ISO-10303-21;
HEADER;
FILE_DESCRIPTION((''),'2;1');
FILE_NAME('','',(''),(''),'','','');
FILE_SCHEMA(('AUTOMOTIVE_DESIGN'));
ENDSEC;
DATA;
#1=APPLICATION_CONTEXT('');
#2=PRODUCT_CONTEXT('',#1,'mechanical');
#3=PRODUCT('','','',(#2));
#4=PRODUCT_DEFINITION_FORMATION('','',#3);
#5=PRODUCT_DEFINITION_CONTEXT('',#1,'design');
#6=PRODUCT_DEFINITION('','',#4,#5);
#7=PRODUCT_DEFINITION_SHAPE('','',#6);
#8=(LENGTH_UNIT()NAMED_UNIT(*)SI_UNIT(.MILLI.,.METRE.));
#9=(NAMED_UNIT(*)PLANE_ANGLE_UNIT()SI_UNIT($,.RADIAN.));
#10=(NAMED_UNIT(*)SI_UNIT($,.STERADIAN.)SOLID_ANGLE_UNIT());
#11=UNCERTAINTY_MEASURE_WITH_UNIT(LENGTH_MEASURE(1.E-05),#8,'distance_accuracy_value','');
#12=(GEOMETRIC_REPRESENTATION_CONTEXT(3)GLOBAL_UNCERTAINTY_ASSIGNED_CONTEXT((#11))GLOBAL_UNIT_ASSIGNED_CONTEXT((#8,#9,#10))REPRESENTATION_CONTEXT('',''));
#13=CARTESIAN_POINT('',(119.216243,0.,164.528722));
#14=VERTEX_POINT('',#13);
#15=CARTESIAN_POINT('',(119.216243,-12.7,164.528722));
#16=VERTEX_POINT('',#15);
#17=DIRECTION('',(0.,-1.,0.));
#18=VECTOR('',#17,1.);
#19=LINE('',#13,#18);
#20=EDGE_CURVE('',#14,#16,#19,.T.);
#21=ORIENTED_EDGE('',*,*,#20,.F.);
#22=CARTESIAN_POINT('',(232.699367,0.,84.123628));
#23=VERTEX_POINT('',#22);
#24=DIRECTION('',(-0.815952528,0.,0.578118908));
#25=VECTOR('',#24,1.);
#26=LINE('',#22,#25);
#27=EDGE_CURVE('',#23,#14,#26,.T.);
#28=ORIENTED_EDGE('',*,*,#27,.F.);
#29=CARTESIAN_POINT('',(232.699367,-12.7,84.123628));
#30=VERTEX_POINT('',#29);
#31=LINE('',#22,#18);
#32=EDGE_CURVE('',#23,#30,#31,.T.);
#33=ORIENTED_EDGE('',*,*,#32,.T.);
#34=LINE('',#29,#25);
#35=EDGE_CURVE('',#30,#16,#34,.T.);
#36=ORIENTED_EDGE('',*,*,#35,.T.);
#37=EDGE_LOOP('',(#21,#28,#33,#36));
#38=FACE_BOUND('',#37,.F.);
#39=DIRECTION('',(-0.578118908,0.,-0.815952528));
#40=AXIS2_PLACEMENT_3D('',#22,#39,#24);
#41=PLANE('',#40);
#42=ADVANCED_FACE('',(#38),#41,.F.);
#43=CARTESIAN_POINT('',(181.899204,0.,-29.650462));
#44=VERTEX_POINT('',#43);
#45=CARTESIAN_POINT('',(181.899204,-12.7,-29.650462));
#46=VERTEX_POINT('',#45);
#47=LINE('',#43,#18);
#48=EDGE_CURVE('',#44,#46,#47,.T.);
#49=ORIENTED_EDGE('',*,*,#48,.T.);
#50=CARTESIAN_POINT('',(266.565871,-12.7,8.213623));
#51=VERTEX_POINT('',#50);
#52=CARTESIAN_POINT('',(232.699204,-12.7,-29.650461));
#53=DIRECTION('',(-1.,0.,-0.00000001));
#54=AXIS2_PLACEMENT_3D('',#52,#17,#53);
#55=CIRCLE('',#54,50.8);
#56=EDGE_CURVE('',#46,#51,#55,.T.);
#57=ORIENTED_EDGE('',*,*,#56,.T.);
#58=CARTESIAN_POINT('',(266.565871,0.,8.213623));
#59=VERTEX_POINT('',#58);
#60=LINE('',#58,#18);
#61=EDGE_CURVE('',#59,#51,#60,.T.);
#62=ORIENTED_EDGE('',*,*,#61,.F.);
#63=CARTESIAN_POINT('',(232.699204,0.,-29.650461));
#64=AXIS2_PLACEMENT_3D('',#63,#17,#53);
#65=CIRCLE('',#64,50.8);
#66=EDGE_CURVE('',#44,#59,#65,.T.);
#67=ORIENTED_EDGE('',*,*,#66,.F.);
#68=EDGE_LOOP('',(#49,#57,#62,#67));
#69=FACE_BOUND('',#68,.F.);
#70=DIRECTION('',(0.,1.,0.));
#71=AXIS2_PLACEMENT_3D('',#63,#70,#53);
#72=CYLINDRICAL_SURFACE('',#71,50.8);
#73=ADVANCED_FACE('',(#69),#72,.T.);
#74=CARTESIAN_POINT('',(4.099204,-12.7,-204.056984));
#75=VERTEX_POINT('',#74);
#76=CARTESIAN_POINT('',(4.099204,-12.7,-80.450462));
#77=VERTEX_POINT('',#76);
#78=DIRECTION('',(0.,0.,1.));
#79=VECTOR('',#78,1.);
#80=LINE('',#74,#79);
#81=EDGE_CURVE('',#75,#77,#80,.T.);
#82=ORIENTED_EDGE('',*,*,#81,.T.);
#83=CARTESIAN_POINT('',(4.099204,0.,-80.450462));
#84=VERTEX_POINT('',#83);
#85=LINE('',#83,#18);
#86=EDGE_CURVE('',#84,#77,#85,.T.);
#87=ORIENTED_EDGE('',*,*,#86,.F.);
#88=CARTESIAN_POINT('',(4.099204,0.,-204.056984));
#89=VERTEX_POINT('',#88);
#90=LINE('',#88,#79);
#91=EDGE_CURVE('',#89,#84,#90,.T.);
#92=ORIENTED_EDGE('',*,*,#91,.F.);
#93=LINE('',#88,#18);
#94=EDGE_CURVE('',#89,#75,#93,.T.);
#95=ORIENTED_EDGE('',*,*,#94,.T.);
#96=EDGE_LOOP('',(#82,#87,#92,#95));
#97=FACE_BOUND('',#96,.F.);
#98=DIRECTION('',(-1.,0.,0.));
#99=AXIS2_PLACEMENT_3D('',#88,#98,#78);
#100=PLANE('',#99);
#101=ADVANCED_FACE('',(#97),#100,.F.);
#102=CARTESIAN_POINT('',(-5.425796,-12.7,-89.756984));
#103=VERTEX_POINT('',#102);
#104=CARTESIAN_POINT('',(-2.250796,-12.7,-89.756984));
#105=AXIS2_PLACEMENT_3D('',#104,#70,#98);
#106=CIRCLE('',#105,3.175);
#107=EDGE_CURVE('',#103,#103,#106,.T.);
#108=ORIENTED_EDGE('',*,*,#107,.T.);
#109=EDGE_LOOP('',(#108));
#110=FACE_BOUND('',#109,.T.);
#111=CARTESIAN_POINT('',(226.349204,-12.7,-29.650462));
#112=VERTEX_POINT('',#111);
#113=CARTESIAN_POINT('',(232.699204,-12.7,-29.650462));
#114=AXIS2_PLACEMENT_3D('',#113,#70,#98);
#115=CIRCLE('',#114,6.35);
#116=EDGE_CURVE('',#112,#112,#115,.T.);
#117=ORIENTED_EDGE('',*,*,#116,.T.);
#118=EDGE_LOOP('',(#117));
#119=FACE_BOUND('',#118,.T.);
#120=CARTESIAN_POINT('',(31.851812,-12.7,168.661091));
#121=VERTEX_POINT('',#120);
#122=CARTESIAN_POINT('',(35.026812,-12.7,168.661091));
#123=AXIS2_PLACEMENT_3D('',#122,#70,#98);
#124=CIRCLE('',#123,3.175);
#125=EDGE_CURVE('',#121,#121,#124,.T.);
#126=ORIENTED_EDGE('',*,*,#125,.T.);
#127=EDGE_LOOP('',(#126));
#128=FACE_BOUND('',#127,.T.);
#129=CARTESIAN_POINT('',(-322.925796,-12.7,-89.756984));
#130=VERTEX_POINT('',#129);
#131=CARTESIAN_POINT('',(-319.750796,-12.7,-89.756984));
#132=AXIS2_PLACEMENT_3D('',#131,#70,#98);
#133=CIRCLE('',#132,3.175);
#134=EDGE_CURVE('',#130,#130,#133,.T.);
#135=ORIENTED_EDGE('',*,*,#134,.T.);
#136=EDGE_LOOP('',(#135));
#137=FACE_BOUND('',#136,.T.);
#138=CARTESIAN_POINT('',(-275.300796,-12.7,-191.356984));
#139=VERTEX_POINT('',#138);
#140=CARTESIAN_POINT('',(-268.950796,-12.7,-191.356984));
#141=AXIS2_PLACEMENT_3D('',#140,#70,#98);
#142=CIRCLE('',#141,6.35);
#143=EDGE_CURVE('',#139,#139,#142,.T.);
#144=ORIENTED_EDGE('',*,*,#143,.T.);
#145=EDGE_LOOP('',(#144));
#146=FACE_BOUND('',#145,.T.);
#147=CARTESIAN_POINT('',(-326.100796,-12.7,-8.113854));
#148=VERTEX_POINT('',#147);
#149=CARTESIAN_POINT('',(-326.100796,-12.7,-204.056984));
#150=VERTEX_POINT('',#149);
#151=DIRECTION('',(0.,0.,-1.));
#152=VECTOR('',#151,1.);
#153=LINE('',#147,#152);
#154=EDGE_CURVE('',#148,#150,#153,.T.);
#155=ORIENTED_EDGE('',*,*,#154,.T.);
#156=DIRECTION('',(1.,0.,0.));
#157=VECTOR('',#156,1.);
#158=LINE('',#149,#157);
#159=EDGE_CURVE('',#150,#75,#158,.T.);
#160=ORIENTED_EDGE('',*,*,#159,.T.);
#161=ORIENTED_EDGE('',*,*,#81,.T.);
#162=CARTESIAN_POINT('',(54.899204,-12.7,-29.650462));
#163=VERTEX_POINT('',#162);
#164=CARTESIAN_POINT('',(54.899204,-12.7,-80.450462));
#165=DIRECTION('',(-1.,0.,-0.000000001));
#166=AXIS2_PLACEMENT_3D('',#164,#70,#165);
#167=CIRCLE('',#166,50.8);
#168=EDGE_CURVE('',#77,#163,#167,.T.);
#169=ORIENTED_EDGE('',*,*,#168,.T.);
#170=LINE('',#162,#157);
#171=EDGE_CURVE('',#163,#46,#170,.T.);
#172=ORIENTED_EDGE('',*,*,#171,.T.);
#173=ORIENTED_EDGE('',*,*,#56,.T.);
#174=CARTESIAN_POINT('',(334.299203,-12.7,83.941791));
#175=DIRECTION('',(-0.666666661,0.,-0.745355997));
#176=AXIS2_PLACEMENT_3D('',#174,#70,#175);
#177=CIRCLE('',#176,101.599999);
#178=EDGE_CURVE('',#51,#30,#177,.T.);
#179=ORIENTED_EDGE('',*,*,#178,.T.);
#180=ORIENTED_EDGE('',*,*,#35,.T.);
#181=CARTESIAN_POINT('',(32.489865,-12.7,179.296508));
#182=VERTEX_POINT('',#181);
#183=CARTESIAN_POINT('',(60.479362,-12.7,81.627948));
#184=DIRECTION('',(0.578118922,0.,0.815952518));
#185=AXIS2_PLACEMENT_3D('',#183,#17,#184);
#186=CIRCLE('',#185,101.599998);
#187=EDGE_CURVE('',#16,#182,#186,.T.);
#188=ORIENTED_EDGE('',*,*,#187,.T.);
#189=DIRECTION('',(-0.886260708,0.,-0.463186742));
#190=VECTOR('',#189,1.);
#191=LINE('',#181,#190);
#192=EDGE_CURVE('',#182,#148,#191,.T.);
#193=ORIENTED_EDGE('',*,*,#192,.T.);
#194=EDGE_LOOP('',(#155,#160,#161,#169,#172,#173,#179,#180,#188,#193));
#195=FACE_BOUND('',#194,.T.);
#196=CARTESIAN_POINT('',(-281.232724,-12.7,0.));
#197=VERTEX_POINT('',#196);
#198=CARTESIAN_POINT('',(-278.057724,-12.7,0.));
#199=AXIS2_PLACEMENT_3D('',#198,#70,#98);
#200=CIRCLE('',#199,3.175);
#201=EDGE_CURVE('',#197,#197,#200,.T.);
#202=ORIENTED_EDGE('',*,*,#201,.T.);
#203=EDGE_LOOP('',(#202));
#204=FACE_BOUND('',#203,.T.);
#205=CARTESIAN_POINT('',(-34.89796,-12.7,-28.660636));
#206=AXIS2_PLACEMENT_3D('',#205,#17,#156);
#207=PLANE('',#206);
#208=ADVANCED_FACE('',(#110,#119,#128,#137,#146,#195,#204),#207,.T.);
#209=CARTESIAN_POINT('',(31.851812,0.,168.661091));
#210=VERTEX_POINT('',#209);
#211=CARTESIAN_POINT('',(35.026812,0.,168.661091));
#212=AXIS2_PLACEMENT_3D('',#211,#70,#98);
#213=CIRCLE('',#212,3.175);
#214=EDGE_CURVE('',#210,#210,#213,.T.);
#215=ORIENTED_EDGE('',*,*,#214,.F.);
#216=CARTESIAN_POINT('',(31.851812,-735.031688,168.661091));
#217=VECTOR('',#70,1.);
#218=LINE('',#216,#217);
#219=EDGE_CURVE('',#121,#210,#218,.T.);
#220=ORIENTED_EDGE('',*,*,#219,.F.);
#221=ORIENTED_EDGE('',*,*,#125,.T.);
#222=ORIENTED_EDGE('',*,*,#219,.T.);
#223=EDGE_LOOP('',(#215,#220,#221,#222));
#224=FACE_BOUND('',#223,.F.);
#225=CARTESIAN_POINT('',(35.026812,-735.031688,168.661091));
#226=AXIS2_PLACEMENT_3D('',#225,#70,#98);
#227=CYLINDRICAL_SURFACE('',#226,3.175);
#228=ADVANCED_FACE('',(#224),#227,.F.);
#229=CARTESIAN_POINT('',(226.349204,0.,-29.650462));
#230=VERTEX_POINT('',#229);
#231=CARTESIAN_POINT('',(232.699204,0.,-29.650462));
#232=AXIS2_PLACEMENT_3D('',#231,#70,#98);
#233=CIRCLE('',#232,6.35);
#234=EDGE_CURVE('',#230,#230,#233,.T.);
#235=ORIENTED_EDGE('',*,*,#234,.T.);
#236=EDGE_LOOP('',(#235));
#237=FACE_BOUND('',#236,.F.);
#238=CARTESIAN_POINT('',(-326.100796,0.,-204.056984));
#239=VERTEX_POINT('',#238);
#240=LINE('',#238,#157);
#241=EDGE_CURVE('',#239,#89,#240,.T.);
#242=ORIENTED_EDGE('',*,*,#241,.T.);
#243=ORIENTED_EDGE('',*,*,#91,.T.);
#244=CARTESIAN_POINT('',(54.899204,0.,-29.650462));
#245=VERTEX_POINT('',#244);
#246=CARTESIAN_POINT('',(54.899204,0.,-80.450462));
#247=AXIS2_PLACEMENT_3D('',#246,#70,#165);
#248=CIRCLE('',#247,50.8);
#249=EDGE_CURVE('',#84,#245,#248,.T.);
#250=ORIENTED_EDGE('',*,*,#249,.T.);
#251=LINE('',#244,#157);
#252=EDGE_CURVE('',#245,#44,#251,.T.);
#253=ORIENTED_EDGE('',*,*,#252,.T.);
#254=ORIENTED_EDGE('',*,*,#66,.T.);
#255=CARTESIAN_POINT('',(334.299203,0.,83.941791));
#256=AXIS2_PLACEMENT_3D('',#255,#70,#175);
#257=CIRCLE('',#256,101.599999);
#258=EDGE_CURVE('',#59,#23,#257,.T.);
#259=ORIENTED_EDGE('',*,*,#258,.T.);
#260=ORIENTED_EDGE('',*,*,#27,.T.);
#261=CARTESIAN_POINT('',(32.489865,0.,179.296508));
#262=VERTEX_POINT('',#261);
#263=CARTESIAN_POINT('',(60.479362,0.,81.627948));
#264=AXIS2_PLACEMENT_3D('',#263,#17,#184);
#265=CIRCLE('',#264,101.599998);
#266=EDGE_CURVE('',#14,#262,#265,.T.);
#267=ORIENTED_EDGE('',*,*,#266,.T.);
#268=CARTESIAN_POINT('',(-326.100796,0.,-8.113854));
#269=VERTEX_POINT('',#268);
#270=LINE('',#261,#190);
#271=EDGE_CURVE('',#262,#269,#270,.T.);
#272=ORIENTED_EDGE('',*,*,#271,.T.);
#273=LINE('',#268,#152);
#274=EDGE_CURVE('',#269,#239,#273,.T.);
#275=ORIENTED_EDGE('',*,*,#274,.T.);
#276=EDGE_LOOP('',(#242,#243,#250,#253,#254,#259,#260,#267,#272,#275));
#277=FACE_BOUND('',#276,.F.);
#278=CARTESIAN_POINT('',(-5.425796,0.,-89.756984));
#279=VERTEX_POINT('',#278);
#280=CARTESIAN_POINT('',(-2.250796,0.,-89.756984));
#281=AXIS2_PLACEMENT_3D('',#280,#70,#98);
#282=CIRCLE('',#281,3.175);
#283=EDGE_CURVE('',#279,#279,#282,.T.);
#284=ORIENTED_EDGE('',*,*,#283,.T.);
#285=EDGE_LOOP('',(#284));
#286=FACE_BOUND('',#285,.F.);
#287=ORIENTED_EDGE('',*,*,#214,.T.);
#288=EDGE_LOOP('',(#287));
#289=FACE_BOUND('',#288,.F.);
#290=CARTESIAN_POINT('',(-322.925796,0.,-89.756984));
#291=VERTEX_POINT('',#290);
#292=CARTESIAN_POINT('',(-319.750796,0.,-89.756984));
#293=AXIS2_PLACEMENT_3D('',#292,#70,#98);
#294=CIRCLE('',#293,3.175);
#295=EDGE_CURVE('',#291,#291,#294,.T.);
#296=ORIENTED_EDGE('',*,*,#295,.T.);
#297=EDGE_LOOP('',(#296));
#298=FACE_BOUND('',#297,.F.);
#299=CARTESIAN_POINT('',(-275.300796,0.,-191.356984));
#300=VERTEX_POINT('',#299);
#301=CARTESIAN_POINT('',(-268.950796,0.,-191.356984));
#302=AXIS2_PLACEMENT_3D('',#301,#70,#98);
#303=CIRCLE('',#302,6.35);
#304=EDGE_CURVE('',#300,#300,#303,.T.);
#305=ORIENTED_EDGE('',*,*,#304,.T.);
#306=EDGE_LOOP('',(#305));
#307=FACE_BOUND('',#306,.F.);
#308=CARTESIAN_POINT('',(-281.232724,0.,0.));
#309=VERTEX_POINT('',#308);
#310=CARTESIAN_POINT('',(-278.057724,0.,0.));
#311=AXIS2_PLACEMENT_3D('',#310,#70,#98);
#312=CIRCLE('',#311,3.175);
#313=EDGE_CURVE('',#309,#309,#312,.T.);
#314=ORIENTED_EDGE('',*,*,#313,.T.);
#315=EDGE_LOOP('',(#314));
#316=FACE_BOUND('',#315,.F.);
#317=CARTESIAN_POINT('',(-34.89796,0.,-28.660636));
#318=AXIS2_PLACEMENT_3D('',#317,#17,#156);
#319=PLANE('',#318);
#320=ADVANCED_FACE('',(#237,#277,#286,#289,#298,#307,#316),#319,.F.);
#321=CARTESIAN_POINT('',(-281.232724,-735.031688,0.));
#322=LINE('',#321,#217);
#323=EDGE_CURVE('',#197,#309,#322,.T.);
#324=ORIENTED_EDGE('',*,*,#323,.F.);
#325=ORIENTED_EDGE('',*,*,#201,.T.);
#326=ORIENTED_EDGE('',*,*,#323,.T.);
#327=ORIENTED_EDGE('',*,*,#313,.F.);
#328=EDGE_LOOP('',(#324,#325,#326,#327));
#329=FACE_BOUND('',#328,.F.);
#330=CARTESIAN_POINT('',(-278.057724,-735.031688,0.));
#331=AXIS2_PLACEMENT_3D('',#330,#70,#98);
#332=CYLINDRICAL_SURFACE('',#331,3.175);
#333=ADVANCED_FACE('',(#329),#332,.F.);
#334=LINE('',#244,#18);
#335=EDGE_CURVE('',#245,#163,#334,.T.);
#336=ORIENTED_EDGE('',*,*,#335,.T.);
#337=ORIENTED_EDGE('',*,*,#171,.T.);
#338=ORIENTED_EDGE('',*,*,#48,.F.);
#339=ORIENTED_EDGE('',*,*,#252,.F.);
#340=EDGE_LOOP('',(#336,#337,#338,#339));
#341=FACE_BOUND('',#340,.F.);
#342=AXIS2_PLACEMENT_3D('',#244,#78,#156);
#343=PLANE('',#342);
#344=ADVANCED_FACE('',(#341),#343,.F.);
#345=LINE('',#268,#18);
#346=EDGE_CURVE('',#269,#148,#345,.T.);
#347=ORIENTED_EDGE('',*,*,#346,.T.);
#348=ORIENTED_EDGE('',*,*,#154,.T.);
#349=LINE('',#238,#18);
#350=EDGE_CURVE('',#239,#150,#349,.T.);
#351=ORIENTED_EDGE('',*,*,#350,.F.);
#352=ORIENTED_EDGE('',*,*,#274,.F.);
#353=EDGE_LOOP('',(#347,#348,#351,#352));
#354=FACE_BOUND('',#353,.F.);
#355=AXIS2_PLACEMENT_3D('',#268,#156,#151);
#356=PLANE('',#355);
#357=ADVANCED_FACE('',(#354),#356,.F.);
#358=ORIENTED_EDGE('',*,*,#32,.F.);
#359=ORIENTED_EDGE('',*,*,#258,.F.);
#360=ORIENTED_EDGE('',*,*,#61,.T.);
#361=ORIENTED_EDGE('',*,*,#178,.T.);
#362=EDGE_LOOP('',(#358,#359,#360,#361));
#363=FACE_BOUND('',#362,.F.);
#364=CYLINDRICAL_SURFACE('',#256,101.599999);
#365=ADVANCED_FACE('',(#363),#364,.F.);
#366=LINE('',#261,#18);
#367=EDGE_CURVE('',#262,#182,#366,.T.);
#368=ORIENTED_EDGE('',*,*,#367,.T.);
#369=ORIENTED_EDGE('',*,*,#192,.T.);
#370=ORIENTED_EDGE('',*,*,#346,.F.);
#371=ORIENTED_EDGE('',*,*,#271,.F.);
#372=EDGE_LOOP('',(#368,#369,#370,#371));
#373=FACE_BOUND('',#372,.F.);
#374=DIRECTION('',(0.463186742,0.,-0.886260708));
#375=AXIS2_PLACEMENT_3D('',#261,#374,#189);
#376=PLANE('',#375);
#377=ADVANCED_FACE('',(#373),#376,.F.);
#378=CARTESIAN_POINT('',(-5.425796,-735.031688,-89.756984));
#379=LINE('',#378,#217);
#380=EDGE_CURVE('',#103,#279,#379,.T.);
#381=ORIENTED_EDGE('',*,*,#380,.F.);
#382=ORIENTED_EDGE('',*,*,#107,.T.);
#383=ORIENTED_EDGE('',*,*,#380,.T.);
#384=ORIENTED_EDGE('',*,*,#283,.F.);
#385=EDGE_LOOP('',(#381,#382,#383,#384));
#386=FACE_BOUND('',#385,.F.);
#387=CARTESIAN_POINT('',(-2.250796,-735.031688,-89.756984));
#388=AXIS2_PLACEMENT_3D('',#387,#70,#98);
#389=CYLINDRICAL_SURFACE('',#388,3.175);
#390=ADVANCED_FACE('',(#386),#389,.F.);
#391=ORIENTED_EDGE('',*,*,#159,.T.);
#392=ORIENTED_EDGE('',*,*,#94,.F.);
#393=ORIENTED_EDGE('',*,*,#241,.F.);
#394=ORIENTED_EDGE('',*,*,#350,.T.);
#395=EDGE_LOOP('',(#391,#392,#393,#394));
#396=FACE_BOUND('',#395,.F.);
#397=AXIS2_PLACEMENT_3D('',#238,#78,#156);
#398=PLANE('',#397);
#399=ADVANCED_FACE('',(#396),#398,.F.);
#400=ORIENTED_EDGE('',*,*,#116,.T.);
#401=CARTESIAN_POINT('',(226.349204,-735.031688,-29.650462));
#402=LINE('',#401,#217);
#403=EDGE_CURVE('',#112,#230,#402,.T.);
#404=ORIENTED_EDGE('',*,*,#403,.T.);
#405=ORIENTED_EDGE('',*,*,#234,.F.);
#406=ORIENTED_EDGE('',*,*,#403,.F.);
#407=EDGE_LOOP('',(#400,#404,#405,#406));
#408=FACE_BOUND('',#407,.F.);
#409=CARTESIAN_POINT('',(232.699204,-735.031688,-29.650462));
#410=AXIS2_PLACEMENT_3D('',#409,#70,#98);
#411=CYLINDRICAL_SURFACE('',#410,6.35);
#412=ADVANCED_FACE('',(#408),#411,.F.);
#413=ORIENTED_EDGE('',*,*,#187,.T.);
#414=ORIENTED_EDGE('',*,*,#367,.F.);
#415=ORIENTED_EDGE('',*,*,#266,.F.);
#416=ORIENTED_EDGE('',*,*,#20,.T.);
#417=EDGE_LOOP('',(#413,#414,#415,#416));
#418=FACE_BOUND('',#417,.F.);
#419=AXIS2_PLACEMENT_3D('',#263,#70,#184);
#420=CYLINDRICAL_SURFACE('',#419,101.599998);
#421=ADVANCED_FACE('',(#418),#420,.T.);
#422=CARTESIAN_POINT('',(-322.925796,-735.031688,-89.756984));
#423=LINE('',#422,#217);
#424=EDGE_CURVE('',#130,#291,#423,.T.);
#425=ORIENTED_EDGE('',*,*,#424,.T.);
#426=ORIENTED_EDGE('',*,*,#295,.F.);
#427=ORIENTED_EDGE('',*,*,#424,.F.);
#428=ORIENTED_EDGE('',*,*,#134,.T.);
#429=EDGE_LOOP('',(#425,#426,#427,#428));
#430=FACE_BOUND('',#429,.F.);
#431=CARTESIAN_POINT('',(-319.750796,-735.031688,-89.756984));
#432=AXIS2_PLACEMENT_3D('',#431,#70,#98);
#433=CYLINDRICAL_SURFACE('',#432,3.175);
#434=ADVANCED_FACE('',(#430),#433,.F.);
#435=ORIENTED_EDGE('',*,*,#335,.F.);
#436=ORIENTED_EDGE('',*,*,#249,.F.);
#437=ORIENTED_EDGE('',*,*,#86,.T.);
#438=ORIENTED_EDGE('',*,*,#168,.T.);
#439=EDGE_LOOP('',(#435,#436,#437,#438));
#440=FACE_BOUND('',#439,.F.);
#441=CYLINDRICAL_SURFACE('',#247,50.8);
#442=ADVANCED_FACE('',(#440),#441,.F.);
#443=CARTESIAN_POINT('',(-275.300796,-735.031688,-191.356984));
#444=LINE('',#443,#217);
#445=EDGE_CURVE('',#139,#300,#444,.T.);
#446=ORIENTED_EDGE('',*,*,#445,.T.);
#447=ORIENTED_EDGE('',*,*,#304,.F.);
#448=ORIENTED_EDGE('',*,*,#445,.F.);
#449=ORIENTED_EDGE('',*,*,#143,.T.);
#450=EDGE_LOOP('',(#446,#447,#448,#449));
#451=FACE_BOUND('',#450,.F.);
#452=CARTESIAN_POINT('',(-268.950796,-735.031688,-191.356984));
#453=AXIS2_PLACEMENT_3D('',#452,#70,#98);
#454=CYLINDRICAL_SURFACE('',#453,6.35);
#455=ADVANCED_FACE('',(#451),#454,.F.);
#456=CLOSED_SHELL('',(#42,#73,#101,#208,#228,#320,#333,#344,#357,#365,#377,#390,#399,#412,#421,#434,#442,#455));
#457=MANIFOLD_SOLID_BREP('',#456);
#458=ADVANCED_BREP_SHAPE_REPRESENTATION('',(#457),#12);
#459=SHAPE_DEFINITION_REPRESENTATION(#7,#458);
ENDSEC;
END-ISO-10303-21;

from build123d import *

# Parameters (mm, degrees)
F1_DEPTH = 12.7
F3_D     = 12.7
F5_D     = 6.35
F7_D     = 6.35
F9_D     = 6.35
F11_D    = 6.35


with BuildPart() as f1:
    # F0 (on Front) → F1 (new body)
    with BuildSketch(Plane.XZ):
        with BuildLine():
            Line((-326.100796, -8.113854), (-326.100796, -204.056984))
            Line((-326.100796, -204.056984), (4.099204, -204.056984))
            Line((4.099204, -204.056984), (4.099204, -80.450462))
            ThreePointArc((4.099204, -80.450462), (18.97818, -44.529437), (54.899204, -29.650462))
            Line((54.899204, -29.650462), (181.899204, -29.650462))
            ThreePointArc((181.899204, -29.650462), (253.438217, -76.024305), (266.565871, 8.213623))
            ThreePointArc((266.565871, 8.213623), (241.514438, 42.546778), (232.699367, 84.123628))
            Line((232.699367, 84.123628), (119.216243, 164.528722))
            ThreePointArc((119.216243, 164.528722), (77.53434, 181.786259), (32.489865, 179.296508))
            Line((32.489865, 179.296508), (-326.100796, -8.113854))
        make_face()
    extrude(amount=F1_DEPTH)

    # F3 (through all)
    with Locations(Plane.XZ.offset(12.7)):
        with Locations((232.699204, -29.650462), (-268.950796, -191.356984)):
            Hole(F3_D / 2)

    # F5 (through all)
    with Locations(Plane.XZ.offset(12.7)):
        with Locations((-319.750796, -89.756984)):
            Hole(F5_D / 2)

    # F7 (through all)
    with Locations(Plane.XZ.offset(12.7)):
        with Locations((-2.250796, -89.756984)):
            Hole(F7_D / 2)

    # F9 (through all)
    with Locations(Plane.XZ.offset(12.7)):
        with Locations((35.026812, 168.661091)):
            Hole(F9_D / 2)

    # F11 (through all)
    with Locations(Plane.XZ.offset(12.7)):
        with Locations((-278.057724, 0)):
            Hole(F11_D / 2)


solid = f1.part
